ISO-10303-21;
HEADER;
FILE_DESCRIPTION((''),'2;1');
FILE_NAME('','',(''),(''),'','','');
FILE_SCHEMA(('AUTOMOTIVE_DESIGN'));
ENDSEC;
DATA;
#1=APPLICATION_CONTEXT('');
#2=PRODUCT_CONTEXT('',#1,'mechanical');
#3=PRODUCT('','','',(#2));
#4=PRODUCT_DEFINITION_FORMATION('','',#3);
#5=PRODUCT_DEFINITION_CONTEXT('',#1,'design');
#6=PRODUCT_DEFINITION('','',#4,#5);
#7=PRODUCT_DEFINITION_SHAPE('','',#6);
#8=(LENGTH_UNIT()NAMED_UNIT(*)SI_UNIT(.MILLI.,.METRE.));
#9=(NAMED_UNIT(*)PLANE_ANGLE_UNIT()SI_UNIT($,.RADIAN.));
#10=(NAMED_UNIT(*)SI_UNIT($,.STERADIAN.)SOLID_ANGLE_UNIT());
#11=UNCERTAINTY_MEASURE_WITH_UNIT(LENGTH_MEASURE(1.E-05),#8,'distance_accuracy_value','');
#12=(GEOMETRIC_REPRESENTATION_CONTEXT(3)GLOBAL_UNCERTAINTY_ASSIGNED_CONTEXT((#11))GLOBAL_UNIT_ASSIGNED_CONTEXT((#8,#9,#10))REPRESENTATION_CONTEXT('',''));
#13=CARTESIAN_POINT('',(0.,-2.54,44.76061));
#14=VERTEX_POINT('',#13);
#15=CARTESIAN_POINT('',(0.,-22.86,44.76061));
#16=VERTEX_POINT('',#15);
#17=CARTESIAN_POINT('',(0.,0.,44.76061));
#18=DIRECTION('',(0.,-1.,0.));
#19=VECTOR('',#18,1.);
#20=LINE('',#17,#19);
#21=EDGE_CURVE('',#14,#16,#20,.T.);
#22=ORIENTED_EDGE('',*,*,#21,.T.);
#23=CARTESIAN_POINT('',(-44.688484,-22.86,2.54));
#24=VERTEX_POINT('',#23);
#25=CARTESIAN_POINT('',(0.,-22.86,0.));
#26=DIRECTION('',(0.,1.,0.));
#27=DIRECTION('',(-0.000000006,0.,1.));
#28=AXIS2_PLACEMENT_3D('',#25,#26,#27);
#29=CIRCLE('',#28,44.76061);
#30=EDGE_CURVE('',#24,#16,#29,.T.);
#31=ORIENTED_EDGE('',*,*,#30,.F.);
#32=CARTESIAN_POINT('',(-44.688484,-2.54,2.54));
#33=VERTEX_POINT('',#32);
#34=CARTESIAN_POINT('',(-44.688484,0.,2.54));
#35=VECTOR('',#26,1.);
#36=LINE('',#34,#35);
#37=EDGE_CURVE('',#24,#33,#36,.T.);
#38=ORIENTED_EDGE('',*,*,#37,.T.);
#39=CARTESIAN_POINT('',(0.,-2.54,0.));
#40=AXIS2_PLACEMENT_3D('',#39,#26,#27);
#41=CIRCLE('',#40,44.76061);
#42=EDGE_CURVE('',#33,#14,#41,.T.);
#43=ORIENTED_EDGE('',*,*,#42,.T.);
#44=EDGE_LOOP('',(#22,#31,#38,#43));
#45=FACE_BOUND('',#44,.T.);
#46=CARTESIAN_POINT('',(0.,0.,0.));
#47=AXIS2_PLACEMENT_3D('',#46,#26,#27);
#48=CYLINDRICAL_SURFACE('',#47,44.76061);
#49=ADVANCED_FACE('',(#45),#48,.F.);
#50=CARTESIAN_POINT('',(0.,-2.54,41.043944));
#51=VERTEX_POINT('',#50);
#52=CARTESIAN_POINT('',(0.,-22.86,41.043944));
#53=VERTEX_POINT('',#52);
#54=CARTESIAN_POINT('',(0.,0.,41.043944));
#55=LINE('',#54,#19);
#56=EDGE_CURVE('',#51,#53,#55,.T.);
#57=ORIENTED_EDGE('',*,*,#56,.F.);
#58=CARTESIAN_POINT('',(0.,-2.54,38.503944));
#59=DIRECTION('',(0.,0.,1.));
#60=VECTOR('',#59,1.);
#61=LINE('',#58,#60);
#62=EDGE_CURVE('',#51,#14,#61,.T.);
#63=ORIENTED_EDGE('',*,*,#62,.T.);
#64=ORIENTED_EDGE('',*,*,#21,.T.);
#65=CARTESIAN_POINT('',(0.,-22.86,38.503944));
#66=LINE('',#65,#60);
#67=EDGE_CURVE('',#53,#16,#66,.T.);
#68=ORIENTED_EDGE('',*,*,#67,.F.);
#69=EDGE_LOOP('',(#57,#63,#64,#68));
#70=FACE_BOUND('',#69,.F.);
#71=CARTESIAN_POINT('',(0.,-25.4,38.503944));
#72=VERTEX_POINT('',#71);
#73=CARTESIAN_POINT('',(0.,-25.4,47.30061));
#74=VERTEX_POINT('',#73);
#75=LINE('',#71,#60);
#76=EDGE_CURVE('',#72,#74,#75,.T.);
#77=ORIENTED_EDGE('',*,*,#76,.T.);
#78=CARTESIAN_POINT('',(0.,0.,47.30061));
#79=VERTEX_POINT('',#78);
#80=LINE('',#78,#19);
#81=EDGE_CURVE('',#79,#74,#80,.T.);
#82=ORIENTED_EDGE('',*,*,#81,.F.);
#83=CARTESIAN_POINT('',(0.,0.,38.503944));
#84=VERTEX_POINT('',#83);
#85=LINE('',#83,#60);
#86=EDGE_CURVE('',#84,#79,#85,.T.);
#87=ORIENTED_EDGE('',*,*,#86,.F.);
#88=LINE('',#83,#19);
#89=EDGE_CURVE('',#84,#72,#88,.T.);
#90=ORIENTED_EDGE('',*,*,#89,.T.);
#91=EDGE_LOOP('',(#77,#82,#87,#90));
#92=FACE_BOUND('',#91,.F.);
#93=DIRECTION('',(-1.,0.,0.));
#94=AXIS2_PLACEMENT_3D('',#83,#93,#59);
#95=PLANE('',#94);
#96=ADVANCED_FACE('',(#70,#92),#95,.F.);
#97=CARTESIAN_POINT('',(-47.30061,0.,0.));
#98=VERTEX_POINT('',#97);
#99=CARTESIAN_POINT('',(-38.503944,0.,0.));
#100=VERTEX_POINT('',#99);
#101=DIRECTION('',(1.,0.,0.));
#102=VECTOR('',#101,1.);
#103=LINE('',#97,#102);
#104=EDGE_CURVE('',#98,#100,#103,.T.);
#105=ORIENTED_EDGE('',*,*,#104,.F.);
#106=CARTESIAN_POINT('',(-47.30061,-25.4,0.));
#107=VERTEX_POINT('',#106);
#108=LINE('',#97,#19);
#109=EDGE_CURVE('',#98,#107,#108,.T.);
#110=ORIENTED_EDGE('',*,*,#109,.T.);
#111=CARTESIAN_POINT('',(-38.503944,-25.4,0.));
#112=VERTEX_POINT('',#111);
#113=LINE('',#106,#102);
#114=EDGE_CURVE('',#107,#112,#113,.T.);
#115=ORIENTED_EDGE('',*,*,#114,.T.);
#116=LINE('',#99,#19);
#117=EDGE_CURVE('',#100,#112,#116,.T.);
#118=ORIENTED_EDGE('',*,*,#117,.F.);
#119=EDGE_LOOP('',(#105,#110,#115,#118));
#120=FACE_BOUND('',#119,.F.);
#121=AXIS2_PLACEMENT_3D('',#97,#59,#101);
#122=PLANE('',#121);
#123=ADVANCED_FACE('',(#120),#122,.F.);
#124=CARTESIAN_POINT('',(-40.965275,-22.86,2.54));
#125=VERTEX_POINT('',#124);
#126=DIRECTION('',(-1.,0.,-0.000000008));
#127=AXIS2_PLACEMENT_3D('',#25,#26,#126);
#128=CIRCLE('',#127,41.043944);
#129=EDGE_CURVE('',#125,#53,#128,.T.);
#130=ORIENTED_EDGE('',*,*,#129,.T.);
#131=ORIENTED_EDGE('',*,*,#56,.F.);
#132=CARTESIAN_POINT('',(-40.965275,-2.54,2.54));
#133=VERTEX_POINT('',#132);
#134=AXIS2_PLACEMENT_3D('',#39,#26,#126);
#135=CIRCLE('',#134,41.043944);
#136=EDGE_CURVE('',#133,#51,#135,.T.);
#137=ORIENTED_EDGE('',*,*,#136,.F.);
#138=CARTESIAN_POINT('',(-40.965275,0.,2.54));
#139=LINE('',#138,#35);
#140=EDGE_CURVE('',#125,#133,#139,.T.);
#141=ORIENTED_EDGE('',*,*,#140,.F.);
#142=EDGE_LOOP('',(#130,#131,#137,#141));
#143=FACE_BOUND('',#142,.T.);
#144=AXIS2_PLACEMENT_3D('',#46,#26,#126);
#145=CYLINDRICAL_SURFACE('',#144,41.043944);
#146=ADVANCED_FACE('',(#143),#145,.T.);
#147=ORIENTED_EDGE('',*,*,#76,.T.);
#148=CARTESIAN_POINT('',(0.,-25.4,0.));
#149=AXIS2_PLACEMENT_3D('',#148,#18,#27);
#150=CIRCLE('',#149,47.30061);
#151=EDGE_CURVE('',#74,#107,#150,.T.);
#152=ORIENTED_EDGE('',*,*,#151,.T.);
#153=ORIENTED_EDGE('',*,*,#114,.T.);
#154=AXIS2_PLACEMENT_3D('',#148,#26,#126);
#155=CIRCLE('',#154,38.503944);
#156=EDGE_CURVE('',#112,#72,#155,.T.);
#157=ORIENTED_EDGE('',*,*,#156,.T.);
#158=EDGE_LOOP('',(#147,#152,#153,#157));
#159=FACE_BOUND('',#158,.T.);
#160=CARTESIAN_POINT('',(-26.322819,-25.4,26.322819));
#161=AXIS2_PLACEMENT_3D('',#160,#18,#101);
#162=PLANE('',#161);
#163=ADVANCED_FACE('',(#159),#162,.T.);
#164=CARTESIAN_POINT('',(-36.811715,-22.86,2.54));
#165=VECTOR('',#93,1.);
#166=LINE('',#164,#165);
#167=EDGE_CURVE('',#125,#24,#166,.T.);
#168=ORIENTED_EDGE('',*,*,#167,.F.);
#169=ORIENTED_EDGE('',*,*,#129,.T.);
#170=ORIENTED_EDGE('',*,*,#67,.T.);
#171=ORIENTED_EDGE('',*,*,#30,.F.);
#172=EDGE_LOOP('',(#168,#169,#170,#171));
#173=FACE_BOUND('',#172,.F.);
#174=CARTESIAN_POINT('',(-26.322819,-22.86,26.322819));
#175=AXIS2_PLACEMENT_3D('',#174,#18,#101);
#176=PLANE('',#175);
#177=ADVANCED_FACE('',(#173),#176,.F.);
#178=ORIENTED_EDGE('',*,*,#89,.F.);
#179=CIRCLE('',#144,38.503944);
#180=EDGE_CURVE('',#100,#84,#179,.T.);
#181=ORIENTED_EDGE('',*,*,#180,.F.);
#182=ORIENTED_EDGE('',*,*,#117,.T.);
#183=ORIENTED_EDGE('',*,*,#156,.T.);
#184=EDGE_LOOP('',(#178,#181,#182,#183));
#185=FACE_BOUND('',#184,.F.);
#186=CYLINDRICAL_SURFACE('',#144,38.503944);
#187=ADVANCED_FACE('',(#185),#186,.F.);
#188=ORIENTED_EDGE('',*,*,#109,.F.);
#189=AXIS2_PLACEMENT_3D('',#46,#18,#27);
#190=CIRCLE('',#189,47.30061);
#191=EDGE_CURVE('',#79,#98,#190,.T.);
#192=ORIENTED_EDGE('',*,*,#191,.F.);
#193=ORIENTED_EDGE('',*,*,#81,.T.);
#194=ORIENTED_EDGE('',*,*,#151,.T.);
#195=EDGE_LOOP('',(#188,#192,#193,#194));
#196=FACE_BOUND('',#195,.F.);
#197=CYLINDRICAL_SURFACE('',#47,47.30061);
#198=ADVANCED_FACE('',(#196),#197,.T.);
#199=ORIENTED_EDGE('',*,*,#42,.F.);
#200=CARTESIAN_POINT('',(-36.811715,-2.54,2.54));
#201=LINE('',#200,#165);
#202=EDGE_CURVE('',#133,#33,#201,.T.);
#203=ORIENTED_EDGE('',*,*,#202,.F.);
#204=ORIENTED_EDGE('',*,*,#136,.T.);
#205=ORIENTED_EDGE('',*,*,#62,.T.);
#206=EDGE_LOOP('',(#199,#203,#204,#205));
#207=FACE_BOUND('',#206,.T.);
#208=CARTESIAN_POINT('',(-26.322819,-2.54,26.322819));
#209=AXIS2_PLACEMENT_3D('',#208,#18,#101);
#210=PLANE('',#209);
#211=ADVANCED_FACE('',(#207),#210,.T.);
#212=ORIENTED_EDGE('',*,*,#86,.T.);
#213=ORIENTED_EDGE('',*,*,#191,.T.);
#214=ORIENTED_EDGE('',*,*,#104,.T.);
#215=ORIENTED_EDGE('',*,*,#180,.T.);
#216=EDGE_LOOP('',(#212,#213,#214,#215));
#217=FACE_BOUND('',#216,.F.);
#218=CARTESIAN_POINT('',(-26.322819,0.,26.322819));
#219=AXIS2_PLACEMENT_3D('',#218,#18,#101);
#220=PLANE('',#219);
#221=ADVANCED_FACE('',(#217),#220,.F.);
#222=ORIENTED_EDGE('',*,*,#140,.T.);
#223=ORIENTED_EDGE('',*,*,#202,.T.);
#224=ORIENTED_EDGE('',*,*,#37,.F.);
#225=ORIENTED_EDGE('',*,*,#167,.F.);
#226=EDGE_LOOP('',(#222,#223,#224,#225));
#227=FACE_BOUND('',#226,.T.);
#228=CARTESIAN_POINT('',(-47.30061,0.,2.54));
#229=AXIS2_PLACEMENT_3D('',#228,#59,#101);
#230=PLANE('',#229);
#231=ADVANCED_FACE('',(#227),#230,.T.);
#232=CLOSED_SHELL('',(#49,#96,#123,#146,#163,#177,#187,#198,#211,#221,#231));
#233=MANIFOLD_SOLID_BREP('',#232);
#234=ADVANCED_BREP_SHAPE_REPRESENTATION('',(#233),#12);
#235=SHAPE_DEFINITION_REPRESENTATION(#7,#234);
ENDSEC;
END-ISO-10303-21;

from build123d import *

# Parameters (mm, degrees)
F1_DEPTH = 25.4
F2_T     = -2.54


with BuildPart() as f1:
    # F0 (on Front) → F1 (new body)
    with BuildSketch(Plane.XZ):
        with BuildLine():
            Line((0, 38.503944), (0, 47.30061))
            ThreePointArc((0, 47.30061), (-33.446582, 33.446582), (-47.30061, 0))
            Line((-47.30061, 0), (-38.503944, 0))
            ThreePointArc((-38.503944, 0), (-27.2264, 27.2264), (0, 38.503944))
        make_face()
    extrude(amount=F1_DEPTH)

    # F2
    f2_openings = [f1.faces().sort_by_distance(p)[0] for p in [
        (0, -12.7, 42.902277),
    ]]
    offset(amount=F2_T, openings=f2_openings)


solid = f1.part
